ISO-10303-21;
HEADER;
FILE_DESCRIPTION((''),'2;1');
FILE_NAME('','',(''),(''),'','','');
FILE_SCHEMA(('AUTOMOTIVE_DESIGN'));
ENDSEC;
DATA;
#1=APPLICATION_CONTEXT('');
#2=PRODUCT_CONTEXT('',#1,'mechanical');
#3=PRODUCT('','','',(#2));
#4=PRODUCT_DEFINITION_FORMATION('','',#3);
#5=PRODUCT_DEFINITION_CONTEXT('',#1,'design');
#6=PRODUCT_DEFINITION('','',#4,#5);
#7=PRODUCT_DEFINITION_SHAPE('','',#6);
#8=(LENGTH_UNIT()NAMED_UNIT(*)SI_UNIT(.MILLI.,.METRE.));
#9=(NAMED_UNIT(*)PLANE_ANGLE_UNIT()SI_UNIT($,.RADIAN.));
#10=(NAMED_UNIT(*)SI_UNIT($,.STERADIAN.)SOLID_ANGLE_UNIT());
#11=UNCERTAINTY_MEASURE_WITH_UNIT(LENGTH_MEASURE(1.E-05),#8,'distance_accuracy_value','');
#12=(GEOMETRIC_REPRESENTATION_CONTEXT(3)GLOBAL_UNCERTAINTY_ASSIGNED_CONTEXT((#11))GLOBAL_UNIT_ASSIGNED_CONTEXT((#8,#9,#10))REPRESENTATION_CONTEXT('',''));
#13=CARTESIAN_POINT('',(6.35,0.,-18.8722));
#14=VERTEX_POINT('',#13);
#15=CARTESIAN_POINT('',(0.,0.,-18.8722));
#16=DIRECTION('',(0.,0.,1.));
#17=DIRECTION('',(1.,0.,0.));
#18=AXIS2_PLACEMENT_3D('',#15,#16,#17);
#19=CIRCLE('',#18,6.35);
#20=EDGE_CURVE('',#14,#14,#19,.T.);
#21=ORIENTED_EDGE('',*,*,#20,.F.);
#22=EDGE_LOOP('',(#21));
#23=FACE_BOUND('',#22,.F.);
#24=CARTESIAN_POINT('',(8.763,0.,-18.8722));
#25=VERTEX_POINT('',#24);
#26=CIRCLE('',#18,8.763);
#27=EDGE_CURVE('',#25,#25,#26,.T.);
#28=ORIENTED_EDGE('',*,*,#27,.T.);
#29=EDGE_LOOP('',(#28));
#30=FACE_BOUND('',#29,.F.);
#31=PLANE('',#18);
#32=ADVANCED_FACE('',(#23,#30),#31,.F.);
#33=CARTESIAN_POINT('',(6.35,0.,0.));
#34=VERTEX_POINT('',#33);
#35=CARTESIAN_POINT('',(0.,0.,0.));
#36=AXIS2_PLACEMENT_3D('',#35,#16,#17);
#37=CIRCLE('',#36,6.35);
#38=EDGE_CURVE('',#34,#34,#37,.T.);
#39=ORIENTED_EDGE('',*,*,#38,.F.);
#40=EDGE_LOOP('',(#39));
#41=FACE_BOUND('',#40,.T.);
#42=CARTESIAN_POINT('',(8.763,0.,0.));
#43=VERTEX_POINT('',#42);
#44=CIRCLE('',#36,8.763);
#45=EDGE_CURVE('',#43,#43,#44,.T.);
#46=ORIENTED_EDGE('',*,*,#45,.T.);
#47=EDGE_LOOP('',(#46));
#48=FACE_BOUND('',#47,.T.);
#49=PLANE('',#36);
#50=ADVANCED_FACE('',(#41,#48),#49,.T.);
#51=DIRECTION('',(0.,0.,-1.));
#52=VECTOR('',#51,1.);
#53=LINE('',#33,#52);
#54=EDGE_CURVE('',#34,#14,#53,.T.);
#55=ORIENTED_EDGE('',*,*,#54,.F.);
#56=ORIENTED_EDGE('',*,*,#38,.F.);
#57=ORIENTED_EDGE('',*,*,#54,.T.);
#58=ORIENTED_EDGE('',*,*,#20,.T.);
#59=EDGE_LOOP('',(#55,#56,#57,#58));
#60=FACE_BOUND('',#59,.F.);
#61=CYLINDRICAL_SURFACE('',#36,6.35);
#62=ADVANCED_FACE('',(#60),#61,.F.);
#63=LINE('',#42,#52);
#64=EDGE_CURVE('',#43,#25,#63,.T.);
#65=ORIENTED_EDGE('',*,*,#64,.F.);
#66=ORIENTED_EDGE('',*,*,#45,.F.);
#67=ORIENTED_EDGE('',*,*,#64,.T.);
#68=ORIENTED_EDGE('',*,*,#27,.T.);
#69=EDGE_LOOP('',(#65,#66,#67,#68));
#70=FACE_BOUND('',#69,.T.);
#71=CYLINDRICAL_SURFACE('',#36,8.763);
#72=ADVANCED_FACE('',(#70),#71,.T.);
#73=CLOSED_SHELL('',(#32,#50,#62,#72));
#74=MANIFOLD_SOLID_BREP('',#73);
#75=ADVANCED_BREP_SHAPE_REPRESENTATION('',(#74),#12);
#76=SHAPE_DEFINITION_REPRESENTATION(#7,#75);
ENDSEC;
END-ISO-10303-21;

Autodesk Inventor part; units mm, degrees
ref_plane "YZ Plane" through (0, 0, 0) normal (1, 0, 0) x (0, 1, 0)
ref_plane "XZ Plane" through (0, 0, 0) normal (0, 1, 0) x (-1, 0, 0)
ref_plane "XY Plane" through (0, 0, 0) normal (0, 0, 1) x (1, 0, 0)
sketch "Sketch1" plane through (0, 0, 0) normal (0, 0, 1) x (1, 0, 0)
  circle A0 centre (0, 0) radius 6.35
  circle A1 centre (0, 0) radius 8.763
  dimension "d0" = 12.7
  dimension "d1" = 17.526
extrude "Extrusion1" add sketch "Sketch1" against normal blind 18.8722
